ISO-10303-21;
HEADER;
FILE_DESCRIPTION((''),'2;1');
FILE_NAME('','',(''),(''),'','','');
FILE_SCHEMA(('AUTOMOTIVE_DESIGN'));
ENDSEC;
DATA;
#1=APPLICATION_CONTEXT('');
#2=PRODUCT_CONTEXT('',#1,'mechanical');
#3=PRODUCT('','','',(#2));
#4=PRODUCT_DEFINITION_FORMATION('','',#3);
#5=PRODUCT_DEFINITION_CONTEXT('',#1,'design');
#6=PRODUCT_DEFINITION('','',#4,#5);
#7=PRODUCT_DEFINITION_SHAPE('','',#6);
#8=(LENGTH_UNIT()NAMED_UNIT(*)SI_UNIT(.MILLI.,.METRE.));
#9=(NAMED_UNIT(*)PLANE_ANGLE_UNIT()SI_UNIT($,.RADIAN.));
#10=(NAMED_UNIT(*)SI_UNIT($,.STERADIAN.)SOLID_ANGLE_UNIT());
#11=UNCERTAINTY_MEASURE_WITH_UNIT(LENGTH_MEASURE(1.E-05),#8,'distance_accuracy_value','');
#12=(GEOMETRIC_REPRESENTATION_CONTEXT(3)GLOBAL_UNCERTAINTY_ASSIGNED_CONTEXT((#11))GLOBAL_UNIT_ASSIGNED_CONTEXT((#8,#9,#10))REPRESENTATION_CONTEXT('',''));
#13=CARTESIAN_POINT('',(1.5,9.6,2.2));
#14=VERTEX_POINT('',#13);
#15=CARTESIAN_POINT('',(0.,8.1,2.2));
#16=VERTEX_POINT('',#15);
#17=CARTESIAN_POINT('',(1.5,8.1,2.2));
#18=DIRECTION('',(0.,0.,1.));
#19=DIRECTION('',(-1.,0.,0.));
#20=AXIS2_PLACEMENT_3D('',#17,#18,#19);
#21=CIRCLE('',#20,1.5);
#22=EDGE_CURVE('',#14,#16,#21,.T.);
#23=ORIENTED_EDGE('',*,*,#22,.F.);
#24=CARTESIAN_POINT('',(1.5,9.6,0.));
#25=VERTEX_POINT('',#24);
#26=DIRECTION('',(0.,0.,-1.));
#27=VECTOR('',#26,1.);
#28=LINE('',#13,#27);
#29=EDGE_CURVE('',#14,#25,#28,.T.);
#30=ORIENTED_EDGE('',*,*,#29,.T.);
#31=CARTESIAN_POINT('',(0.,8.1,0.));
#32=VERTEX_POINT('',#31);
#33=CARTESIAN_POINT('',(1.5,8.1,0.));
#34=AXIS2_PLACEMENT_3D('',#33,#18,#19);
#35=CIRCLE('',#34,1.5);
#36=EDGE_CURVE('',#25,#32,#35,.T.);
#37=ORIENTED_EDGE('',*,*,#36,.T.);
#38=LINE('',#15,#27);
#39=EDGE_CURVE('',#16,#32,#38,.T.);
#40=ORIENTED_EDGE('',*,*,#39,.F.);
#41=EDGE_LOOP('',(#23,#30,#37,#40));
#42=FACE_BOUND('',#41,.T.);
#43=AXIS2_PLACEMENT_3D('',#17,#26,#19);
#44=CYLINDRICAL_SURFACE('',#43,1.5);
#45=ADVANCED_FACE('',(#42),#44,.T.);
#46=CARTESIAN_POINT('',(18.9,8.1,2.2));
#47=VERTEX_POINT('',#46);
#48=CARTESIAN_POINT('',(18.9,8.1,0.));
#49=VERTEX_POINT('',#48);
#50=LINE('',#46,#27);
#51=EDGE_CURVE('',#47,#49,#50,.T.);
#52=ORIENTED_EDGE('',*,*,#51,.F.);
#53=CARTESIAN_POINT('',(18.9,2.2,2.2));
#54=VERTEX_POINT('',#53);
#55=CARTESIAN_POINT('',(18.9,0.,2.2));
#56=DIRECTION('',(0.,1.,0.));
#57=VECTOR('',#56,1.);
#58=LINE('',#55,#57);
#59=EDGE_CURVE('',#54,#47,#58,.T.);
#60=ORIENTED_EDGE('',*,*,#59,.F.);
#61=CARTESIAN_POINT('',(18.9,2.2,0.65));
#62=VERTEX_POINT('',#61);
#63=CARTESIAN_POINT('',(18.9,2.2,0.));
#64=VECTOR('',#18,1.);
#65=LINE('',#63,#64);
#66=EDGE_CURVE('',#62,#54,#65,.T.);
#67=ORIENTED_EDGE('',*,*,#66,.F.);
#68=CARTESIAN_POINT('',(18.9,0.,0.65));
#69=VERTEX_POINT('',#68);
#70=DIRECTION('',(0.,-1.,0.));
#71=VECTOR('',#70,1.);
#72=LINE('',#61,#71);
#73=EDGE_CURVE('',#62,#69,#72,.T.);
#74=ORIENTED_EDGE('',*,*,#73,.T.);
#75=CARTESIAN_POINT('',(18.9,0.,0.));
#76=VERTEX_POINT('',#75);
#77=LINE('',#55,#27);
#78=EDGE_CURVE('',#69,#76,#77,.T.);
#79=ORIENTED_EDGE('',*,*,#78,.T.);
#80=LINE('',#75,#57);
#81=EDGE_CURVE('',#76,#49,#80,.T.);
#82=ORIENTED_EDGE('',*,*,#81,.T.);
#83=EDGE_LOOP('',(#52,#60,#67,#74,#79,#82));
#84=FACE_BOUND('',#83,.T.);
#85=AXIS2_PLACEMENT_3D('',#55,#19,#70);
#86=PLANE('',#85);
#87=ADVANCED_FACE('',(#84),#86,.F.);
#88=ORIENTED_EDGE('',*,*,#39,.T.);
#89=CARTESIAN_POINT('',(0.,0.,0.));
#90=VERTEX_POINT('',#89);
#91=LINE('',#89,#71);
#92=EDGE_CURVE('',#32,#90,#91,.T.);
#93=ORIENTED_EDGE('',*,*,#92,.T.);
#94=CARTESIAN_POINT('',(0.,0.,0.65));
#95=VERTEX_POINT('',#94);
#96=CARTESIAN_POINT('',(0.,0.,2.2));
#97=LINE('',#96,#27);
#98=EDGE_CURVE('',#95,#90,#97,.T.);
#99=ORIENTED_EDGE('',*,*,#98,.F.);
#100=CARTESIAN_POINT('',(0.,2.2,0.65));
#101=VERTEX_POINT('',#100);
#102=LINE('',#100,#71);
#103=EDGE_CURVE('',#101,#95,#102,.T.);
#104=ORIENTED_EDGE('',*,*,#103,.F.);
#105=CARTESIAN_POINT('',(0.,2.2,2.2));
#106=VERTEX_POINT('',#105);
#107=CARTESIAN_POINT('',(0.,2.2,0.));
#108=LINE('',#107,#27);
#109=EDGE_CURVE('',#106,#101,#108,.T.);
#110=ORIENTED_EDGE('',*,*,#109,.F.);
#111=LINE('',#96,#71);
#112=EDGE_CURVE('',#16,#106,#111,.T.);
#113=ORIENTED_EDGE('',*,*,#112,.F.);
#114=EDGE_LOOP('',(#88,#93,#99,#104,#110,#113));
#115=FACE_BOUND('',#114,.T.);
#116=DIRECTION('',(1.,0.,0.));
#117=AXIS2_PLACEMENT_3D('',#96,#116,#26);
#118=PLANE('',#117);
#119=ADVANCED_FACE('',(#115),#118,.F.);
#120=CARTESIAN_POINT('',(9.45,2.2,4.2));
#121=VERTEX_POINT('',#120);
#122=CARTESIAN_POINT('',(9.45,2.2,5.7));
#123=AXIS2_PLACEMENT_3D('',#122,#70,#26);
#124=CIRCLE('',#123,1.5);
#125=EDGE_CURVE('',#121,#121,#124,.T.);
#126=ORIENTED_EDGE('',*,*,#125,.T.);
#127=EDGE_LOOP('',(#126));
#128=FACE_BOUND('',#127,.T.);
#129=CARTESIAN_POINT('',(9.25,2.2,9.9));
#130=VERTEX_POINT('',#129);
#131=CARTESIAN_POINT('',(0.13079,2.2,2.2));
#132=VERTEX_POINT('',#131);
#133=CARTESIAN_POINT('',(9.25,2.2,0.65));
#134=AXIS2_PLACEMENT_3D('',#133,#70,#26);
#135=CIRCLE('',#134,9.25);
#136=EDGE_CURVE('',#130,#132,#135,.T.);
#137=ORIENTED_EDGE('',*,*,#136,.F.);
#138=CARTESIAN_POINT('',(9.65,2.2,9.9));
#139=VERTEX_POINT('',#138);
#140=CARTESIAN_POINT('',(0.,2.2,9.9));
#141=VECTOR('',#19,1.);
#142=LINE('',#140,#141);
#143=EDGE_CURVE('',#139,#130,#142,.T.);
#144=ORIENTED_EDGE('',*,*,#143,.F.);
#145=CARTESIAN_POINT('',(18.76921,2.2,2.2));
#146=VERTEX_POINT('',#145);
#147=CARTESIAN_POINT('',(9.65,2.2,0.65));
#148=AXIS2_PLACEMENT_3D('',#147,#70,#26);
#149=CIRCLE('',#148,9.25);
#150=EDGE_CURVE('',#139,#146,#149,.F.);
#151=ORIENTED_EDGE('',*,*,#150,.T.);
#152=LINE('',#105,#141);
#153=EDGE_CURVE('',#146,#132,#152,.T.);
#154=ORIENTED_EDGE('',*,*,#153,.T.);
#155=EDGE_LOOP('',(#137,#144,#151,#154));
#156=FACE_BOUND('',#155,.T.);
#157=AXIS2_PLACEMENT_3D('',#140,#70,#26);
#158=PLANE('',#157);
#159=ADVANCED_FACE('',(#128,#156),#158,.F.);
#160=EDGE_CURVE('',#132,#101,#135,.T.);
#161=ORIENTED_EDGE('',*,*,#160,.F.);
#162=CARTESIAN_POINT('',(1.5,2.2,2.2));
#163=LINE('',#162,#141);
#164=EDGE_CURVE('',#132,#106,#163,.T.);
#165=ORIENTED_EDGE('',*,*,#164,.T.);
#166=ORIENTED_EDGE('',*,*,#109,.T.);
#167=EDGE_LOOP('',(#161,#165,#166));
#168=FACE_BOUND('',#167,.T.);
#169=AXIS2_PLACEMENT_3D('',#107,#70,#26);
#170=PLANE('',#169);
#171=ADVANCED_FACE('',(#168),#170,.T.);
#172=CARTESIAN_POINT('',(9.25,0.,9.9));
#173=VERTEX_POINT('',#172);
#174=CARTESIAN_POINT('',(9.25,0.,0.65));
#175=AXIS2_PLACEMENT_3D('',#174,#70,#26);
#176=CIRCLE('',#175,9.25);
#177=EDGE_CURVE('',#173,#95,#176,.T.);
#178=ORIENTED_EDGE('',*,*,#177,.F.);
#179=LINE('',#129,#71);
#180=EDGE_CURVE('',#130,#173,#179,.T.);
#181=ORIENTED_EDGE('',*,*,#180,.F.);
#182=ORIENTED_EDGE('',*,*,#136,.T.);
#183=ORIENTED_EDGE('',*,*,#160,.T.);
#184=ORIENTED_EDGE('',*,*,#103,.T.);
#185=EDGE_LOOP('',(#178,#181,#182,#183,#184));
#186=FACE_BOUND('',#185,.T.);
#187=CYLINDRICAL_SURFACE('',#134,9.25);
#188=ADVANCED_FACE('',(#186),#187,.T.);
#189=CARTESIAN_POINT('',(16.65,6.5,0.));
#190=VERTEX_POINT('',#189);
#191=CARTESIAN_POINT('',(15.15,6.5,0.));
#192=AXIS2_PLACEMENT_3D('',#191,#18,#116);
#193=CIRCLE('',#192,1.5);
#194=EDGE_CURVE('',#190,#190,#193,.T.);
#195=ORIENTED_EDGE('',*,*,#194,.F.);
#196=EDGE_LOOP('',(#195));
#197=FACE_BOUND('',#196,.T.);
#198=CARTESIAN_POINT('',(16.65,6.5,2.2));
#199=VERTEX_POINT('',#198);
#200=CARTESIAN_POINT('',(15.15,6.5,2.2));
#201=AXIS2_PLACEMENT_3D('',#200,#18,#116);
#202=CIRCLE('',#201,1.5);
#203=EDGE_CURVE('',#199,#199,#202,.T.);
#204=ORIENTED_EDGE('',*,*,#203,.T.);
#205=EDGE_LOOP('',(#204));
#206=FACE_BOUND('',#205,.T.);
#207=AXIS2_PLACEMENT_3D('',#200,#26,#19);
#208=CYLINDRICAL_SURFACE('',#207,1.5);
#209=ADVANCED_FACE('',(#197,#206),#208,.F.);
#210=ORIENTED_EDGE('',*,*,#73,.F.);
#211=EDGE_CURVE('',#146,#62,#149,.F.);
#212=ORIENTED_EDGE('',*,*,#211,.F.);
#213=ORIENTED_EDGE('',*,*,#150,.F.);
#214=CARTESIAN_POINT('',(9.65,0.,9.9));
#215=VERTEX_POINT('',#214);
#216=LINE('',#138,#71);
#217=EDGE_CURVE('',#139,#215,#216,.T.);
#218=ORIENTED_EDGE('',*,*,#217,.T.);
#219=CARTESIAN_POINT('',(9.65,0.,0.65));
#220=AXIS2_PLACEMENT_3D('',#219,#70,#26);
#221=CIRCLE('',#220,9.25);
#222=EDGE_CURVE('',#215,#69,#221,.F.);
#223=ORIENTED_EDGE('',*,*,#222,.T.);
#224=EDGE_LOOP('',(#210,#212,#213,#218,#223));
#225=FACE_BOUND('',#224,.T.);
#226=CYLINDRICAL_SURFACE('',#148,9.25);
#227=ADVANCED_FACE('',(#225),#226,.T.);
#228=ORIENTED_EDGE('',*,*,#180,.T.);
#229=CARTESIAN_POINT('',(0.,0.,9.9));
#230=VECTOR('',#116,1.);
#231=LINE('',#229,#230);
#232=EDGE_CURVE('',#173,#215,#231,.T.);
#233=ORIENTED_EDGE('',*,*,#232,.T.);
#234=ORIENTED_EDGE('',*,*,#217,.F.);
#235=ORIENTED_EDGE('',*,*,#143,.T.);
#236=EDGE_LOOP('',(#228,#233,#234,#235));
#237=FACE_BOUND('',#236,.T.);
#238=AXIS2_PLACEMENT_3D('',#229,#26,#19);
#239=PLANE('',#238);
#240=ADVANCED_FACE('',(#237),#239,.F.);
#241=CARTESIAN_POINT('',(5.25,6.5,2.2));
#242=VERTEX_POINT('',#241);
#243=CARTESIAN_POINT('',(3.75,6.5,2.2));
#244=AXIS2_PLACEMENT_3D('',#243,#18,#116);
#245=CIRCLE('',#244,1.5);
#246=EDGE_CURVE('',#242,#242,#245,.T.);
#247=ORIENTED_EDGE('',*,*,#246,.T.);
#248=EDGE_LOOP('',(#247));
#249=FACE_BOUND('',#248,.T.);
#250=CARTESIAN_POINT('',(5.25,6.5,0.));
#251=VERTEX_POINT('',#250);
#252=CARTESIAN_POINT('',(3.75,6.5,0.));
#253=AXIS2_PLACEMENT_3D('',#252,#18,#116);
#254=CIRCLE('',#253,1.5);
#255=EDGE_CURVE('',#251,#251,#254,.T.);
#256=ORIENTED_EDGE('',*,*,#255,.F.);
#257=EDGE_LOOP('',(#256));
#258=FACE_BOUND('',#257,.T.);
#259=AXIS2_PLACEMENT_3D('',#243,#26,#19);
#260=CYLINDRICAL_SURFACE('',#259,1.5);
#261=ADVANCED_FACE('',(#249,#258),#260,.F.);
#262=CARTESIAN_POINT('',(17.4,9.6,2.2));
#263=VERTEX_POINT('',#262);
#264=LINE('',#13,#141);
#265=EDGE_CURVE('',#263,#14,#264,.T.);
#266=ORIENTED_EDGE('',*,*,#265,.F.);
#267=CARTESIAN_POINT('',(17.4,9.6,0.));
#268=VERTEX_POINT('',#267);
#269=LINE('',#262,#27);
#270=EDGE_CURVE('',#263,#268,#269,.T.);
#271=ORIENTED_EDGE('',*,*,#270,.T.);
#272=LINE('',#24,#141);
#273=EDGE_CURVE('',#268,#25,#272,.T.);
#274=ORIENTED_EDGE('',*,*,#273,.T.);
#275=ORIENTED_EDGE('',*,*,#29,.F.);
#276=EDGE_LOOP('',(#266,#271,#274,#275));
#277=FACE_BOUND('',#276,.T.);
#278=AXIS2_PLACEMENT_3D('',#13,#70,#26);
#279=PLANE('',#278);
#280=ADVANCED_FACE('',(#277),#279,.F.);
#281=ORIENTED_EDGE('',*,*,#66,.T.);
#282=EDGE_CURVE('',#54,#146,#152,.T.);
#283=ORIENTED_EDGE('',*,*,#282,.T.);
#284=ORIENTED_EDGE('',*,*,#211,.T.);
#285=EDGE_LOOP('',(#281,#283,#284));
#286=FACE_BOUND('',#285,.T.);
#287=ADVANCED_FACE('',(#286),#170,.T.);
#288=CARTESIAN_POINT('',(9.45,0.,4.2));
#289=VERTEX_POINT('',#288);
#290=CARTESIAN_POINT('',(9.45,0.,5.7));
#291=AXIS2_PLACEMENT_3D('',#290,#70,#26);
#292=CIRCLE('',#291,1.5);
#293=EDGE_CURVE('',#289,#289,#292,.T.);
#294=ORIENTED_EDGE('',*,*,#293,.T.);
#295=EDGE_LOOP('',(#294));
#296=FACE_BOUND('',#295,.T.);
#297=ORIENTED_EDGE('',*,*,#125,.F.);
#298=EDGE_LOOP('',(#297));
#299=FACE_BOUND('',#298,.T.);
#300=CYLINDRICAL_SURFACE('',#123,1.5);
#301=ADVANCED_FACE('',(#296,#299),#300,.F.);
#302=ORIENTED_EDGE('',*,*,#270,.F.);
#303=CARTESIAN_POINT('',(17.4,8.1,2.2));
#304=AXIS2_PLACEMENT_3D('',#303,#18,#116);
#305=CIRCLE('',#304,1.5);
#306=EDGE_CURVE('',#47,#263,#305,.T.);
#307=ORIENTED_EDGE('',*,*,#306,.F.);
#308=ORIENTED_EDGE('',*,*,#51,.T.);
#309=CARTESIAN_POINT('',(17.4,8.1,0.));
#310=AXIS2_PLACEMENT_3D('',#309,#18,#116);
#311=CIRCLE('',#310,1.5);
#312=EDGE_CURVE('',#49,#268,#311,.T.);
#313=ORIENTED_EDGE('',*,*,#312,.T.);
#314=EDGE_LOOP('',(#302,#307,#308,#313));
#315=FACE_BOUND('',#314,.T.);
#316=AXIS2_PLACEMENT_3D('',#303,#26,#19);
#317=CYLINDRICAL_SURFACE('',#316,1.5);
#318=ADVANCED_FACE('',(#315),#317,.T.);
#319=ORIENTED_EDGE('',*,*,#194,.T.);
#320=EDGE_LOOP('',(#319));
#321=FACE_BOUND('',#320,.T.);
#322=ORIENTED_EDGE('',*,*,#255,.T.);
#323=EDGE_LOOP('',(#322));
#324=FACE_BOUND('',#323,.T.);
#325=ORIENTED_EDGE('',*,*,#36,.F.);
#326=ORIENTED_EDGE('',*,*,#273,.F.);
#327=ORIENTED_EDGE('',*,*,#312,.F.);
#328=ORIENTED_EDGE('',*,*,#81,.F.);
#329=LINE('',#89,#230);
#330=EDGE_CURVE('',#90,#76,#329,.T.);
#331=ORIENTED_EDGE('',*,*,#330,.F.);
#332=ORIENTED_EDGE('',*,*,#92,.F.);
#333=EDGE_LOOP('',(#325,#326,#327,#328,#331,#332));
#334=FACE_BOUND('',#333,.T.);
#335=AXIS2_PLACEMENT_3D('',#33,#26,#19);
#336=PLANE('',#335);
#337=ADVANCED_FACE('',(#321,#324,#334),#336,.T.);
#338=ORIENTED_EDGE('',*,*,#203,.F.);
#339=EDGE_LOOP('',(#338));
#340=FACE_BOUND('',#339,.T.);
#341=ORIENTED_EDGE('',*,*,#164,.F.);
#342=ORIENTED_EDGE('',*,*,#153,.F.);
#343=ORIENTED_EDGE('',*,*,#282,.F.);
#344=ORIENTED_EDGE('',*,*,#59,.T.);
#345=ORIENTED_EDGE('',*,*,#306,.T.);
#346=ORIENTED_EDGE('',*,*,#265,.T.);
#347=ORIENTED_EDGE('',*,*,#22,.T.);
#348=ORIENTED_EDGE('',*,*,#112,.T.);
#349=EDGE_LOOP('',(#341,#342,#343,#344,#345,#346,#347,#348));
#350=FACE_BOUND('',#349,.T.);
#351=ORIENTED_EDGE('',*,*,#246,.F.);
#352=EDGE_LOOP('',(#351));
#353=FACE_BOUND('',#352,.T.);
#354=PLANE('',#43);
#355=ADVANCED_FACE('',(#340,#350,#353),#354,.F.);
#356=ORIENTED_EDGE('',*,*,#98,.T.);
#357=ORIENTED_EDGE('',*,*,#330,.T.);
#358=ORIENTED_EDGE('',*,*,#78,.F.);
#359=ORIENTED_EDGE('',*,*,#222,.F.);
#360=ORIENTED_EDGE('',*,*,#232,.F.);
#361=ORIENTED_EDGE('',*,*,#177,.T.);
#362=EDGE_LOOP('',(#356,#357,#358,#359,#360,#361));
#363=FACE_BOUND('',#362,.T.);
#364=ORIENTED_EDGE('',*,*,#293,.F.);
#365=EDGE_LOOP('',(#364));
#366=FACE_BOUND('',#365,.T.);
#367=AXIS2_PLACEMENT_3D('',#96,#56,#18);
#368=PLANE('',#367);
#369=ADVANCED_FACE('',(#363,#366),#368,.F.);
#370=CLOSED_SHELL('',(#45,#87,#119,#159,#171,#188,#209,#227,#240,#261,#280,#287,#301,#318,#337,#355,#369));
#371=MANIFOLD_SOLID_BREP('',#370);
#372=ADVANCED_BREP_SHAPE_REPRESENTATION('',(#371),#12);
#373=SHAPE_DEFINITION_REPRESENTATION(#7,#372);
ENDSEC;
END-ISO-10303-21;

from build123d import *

# Parameters (mm, degrees)
SKETCH1_R           = 1.5
BOSS_EXTRUDE1_DEPTH = 2.2
SKETCH2_W           = 18.9
SKETCH2_H           = 2.2
BOSS_EXTRUDE2_DEPTH = 7.7
SKETCH3_R           = 1.5
CUT_EXTRUDE1_DEPTH  = 2.2


with BuildPart() as part:
    # Sketch1 → Boss-Extrude1 (new body)
    with BuildSketch(Plane.XY):
        with BuildLine():
            Line((0, 0), (18.9, 0))
            Line((18.9, 0), (18.9, 8.1))
            ThreePointArc((18.9, 8.1), (18.460660172, 9.160660172), (17.4, 9.6))
            Line((17.4, 9.6), (1.5, 9.6))
            ThreePointArc((1.5, 9.6), (0.439339828, 9.160660172), (0, 8.1))
            Line((0, 8.1), (0, 0))
        make_face()
        with Locations((3.75, 6.5)):
            Circle(SKETCH1_R, mode=Mode.SUBTRACT)
        with Locations((15.15, 6.5)):
            Circle(SKETCH1_R, mode=Mode.SUBTRACT)
    extrude(amount=BOSS_EXTRUDE1_DEPTH)

    # Sketch2 → Boss-Extrude2 (add)
    with BuildSketch(Plane.XY.offset(2.2)):
        with Locations((9.45, 1.1)):
            Rectangle(SKETCH2_W, SKETCH2_H)
    extrude(amount=BOSS_EXTRUDE2_DEPTH)

    # Sketch3 → Cut-Extrude1 (cut)
    with BuildSketch(Plane.XZ):
        with BuildLine():
            Line((0, 9.9), (0, 0.65))
            ThreePointArc((0, 0.65), (2.709262274, 7.190737726), (9.25, 9.9))
            Line((9.25, 9.9), (0, 9.9))
        make_face()
        with BuildLine():
            Line((18.9, 9.9), (9.65, 9.9))
            ThreePointArc((9.65, 9.9), (16.190737726, 7.190737726), (18.9, 0.65))
            Line((18.9, 0.65), (18.9, 9.9))
        make_face()
        with Locations(Location((9.45, 5.7, 0), (0, 0, 270))):
            Circle(SKETCH3_R)
    extrude(amount=-CUT_EXTRUDE1_DEPTH, mode=Mode.SUBTRACT)


solid = part.part
